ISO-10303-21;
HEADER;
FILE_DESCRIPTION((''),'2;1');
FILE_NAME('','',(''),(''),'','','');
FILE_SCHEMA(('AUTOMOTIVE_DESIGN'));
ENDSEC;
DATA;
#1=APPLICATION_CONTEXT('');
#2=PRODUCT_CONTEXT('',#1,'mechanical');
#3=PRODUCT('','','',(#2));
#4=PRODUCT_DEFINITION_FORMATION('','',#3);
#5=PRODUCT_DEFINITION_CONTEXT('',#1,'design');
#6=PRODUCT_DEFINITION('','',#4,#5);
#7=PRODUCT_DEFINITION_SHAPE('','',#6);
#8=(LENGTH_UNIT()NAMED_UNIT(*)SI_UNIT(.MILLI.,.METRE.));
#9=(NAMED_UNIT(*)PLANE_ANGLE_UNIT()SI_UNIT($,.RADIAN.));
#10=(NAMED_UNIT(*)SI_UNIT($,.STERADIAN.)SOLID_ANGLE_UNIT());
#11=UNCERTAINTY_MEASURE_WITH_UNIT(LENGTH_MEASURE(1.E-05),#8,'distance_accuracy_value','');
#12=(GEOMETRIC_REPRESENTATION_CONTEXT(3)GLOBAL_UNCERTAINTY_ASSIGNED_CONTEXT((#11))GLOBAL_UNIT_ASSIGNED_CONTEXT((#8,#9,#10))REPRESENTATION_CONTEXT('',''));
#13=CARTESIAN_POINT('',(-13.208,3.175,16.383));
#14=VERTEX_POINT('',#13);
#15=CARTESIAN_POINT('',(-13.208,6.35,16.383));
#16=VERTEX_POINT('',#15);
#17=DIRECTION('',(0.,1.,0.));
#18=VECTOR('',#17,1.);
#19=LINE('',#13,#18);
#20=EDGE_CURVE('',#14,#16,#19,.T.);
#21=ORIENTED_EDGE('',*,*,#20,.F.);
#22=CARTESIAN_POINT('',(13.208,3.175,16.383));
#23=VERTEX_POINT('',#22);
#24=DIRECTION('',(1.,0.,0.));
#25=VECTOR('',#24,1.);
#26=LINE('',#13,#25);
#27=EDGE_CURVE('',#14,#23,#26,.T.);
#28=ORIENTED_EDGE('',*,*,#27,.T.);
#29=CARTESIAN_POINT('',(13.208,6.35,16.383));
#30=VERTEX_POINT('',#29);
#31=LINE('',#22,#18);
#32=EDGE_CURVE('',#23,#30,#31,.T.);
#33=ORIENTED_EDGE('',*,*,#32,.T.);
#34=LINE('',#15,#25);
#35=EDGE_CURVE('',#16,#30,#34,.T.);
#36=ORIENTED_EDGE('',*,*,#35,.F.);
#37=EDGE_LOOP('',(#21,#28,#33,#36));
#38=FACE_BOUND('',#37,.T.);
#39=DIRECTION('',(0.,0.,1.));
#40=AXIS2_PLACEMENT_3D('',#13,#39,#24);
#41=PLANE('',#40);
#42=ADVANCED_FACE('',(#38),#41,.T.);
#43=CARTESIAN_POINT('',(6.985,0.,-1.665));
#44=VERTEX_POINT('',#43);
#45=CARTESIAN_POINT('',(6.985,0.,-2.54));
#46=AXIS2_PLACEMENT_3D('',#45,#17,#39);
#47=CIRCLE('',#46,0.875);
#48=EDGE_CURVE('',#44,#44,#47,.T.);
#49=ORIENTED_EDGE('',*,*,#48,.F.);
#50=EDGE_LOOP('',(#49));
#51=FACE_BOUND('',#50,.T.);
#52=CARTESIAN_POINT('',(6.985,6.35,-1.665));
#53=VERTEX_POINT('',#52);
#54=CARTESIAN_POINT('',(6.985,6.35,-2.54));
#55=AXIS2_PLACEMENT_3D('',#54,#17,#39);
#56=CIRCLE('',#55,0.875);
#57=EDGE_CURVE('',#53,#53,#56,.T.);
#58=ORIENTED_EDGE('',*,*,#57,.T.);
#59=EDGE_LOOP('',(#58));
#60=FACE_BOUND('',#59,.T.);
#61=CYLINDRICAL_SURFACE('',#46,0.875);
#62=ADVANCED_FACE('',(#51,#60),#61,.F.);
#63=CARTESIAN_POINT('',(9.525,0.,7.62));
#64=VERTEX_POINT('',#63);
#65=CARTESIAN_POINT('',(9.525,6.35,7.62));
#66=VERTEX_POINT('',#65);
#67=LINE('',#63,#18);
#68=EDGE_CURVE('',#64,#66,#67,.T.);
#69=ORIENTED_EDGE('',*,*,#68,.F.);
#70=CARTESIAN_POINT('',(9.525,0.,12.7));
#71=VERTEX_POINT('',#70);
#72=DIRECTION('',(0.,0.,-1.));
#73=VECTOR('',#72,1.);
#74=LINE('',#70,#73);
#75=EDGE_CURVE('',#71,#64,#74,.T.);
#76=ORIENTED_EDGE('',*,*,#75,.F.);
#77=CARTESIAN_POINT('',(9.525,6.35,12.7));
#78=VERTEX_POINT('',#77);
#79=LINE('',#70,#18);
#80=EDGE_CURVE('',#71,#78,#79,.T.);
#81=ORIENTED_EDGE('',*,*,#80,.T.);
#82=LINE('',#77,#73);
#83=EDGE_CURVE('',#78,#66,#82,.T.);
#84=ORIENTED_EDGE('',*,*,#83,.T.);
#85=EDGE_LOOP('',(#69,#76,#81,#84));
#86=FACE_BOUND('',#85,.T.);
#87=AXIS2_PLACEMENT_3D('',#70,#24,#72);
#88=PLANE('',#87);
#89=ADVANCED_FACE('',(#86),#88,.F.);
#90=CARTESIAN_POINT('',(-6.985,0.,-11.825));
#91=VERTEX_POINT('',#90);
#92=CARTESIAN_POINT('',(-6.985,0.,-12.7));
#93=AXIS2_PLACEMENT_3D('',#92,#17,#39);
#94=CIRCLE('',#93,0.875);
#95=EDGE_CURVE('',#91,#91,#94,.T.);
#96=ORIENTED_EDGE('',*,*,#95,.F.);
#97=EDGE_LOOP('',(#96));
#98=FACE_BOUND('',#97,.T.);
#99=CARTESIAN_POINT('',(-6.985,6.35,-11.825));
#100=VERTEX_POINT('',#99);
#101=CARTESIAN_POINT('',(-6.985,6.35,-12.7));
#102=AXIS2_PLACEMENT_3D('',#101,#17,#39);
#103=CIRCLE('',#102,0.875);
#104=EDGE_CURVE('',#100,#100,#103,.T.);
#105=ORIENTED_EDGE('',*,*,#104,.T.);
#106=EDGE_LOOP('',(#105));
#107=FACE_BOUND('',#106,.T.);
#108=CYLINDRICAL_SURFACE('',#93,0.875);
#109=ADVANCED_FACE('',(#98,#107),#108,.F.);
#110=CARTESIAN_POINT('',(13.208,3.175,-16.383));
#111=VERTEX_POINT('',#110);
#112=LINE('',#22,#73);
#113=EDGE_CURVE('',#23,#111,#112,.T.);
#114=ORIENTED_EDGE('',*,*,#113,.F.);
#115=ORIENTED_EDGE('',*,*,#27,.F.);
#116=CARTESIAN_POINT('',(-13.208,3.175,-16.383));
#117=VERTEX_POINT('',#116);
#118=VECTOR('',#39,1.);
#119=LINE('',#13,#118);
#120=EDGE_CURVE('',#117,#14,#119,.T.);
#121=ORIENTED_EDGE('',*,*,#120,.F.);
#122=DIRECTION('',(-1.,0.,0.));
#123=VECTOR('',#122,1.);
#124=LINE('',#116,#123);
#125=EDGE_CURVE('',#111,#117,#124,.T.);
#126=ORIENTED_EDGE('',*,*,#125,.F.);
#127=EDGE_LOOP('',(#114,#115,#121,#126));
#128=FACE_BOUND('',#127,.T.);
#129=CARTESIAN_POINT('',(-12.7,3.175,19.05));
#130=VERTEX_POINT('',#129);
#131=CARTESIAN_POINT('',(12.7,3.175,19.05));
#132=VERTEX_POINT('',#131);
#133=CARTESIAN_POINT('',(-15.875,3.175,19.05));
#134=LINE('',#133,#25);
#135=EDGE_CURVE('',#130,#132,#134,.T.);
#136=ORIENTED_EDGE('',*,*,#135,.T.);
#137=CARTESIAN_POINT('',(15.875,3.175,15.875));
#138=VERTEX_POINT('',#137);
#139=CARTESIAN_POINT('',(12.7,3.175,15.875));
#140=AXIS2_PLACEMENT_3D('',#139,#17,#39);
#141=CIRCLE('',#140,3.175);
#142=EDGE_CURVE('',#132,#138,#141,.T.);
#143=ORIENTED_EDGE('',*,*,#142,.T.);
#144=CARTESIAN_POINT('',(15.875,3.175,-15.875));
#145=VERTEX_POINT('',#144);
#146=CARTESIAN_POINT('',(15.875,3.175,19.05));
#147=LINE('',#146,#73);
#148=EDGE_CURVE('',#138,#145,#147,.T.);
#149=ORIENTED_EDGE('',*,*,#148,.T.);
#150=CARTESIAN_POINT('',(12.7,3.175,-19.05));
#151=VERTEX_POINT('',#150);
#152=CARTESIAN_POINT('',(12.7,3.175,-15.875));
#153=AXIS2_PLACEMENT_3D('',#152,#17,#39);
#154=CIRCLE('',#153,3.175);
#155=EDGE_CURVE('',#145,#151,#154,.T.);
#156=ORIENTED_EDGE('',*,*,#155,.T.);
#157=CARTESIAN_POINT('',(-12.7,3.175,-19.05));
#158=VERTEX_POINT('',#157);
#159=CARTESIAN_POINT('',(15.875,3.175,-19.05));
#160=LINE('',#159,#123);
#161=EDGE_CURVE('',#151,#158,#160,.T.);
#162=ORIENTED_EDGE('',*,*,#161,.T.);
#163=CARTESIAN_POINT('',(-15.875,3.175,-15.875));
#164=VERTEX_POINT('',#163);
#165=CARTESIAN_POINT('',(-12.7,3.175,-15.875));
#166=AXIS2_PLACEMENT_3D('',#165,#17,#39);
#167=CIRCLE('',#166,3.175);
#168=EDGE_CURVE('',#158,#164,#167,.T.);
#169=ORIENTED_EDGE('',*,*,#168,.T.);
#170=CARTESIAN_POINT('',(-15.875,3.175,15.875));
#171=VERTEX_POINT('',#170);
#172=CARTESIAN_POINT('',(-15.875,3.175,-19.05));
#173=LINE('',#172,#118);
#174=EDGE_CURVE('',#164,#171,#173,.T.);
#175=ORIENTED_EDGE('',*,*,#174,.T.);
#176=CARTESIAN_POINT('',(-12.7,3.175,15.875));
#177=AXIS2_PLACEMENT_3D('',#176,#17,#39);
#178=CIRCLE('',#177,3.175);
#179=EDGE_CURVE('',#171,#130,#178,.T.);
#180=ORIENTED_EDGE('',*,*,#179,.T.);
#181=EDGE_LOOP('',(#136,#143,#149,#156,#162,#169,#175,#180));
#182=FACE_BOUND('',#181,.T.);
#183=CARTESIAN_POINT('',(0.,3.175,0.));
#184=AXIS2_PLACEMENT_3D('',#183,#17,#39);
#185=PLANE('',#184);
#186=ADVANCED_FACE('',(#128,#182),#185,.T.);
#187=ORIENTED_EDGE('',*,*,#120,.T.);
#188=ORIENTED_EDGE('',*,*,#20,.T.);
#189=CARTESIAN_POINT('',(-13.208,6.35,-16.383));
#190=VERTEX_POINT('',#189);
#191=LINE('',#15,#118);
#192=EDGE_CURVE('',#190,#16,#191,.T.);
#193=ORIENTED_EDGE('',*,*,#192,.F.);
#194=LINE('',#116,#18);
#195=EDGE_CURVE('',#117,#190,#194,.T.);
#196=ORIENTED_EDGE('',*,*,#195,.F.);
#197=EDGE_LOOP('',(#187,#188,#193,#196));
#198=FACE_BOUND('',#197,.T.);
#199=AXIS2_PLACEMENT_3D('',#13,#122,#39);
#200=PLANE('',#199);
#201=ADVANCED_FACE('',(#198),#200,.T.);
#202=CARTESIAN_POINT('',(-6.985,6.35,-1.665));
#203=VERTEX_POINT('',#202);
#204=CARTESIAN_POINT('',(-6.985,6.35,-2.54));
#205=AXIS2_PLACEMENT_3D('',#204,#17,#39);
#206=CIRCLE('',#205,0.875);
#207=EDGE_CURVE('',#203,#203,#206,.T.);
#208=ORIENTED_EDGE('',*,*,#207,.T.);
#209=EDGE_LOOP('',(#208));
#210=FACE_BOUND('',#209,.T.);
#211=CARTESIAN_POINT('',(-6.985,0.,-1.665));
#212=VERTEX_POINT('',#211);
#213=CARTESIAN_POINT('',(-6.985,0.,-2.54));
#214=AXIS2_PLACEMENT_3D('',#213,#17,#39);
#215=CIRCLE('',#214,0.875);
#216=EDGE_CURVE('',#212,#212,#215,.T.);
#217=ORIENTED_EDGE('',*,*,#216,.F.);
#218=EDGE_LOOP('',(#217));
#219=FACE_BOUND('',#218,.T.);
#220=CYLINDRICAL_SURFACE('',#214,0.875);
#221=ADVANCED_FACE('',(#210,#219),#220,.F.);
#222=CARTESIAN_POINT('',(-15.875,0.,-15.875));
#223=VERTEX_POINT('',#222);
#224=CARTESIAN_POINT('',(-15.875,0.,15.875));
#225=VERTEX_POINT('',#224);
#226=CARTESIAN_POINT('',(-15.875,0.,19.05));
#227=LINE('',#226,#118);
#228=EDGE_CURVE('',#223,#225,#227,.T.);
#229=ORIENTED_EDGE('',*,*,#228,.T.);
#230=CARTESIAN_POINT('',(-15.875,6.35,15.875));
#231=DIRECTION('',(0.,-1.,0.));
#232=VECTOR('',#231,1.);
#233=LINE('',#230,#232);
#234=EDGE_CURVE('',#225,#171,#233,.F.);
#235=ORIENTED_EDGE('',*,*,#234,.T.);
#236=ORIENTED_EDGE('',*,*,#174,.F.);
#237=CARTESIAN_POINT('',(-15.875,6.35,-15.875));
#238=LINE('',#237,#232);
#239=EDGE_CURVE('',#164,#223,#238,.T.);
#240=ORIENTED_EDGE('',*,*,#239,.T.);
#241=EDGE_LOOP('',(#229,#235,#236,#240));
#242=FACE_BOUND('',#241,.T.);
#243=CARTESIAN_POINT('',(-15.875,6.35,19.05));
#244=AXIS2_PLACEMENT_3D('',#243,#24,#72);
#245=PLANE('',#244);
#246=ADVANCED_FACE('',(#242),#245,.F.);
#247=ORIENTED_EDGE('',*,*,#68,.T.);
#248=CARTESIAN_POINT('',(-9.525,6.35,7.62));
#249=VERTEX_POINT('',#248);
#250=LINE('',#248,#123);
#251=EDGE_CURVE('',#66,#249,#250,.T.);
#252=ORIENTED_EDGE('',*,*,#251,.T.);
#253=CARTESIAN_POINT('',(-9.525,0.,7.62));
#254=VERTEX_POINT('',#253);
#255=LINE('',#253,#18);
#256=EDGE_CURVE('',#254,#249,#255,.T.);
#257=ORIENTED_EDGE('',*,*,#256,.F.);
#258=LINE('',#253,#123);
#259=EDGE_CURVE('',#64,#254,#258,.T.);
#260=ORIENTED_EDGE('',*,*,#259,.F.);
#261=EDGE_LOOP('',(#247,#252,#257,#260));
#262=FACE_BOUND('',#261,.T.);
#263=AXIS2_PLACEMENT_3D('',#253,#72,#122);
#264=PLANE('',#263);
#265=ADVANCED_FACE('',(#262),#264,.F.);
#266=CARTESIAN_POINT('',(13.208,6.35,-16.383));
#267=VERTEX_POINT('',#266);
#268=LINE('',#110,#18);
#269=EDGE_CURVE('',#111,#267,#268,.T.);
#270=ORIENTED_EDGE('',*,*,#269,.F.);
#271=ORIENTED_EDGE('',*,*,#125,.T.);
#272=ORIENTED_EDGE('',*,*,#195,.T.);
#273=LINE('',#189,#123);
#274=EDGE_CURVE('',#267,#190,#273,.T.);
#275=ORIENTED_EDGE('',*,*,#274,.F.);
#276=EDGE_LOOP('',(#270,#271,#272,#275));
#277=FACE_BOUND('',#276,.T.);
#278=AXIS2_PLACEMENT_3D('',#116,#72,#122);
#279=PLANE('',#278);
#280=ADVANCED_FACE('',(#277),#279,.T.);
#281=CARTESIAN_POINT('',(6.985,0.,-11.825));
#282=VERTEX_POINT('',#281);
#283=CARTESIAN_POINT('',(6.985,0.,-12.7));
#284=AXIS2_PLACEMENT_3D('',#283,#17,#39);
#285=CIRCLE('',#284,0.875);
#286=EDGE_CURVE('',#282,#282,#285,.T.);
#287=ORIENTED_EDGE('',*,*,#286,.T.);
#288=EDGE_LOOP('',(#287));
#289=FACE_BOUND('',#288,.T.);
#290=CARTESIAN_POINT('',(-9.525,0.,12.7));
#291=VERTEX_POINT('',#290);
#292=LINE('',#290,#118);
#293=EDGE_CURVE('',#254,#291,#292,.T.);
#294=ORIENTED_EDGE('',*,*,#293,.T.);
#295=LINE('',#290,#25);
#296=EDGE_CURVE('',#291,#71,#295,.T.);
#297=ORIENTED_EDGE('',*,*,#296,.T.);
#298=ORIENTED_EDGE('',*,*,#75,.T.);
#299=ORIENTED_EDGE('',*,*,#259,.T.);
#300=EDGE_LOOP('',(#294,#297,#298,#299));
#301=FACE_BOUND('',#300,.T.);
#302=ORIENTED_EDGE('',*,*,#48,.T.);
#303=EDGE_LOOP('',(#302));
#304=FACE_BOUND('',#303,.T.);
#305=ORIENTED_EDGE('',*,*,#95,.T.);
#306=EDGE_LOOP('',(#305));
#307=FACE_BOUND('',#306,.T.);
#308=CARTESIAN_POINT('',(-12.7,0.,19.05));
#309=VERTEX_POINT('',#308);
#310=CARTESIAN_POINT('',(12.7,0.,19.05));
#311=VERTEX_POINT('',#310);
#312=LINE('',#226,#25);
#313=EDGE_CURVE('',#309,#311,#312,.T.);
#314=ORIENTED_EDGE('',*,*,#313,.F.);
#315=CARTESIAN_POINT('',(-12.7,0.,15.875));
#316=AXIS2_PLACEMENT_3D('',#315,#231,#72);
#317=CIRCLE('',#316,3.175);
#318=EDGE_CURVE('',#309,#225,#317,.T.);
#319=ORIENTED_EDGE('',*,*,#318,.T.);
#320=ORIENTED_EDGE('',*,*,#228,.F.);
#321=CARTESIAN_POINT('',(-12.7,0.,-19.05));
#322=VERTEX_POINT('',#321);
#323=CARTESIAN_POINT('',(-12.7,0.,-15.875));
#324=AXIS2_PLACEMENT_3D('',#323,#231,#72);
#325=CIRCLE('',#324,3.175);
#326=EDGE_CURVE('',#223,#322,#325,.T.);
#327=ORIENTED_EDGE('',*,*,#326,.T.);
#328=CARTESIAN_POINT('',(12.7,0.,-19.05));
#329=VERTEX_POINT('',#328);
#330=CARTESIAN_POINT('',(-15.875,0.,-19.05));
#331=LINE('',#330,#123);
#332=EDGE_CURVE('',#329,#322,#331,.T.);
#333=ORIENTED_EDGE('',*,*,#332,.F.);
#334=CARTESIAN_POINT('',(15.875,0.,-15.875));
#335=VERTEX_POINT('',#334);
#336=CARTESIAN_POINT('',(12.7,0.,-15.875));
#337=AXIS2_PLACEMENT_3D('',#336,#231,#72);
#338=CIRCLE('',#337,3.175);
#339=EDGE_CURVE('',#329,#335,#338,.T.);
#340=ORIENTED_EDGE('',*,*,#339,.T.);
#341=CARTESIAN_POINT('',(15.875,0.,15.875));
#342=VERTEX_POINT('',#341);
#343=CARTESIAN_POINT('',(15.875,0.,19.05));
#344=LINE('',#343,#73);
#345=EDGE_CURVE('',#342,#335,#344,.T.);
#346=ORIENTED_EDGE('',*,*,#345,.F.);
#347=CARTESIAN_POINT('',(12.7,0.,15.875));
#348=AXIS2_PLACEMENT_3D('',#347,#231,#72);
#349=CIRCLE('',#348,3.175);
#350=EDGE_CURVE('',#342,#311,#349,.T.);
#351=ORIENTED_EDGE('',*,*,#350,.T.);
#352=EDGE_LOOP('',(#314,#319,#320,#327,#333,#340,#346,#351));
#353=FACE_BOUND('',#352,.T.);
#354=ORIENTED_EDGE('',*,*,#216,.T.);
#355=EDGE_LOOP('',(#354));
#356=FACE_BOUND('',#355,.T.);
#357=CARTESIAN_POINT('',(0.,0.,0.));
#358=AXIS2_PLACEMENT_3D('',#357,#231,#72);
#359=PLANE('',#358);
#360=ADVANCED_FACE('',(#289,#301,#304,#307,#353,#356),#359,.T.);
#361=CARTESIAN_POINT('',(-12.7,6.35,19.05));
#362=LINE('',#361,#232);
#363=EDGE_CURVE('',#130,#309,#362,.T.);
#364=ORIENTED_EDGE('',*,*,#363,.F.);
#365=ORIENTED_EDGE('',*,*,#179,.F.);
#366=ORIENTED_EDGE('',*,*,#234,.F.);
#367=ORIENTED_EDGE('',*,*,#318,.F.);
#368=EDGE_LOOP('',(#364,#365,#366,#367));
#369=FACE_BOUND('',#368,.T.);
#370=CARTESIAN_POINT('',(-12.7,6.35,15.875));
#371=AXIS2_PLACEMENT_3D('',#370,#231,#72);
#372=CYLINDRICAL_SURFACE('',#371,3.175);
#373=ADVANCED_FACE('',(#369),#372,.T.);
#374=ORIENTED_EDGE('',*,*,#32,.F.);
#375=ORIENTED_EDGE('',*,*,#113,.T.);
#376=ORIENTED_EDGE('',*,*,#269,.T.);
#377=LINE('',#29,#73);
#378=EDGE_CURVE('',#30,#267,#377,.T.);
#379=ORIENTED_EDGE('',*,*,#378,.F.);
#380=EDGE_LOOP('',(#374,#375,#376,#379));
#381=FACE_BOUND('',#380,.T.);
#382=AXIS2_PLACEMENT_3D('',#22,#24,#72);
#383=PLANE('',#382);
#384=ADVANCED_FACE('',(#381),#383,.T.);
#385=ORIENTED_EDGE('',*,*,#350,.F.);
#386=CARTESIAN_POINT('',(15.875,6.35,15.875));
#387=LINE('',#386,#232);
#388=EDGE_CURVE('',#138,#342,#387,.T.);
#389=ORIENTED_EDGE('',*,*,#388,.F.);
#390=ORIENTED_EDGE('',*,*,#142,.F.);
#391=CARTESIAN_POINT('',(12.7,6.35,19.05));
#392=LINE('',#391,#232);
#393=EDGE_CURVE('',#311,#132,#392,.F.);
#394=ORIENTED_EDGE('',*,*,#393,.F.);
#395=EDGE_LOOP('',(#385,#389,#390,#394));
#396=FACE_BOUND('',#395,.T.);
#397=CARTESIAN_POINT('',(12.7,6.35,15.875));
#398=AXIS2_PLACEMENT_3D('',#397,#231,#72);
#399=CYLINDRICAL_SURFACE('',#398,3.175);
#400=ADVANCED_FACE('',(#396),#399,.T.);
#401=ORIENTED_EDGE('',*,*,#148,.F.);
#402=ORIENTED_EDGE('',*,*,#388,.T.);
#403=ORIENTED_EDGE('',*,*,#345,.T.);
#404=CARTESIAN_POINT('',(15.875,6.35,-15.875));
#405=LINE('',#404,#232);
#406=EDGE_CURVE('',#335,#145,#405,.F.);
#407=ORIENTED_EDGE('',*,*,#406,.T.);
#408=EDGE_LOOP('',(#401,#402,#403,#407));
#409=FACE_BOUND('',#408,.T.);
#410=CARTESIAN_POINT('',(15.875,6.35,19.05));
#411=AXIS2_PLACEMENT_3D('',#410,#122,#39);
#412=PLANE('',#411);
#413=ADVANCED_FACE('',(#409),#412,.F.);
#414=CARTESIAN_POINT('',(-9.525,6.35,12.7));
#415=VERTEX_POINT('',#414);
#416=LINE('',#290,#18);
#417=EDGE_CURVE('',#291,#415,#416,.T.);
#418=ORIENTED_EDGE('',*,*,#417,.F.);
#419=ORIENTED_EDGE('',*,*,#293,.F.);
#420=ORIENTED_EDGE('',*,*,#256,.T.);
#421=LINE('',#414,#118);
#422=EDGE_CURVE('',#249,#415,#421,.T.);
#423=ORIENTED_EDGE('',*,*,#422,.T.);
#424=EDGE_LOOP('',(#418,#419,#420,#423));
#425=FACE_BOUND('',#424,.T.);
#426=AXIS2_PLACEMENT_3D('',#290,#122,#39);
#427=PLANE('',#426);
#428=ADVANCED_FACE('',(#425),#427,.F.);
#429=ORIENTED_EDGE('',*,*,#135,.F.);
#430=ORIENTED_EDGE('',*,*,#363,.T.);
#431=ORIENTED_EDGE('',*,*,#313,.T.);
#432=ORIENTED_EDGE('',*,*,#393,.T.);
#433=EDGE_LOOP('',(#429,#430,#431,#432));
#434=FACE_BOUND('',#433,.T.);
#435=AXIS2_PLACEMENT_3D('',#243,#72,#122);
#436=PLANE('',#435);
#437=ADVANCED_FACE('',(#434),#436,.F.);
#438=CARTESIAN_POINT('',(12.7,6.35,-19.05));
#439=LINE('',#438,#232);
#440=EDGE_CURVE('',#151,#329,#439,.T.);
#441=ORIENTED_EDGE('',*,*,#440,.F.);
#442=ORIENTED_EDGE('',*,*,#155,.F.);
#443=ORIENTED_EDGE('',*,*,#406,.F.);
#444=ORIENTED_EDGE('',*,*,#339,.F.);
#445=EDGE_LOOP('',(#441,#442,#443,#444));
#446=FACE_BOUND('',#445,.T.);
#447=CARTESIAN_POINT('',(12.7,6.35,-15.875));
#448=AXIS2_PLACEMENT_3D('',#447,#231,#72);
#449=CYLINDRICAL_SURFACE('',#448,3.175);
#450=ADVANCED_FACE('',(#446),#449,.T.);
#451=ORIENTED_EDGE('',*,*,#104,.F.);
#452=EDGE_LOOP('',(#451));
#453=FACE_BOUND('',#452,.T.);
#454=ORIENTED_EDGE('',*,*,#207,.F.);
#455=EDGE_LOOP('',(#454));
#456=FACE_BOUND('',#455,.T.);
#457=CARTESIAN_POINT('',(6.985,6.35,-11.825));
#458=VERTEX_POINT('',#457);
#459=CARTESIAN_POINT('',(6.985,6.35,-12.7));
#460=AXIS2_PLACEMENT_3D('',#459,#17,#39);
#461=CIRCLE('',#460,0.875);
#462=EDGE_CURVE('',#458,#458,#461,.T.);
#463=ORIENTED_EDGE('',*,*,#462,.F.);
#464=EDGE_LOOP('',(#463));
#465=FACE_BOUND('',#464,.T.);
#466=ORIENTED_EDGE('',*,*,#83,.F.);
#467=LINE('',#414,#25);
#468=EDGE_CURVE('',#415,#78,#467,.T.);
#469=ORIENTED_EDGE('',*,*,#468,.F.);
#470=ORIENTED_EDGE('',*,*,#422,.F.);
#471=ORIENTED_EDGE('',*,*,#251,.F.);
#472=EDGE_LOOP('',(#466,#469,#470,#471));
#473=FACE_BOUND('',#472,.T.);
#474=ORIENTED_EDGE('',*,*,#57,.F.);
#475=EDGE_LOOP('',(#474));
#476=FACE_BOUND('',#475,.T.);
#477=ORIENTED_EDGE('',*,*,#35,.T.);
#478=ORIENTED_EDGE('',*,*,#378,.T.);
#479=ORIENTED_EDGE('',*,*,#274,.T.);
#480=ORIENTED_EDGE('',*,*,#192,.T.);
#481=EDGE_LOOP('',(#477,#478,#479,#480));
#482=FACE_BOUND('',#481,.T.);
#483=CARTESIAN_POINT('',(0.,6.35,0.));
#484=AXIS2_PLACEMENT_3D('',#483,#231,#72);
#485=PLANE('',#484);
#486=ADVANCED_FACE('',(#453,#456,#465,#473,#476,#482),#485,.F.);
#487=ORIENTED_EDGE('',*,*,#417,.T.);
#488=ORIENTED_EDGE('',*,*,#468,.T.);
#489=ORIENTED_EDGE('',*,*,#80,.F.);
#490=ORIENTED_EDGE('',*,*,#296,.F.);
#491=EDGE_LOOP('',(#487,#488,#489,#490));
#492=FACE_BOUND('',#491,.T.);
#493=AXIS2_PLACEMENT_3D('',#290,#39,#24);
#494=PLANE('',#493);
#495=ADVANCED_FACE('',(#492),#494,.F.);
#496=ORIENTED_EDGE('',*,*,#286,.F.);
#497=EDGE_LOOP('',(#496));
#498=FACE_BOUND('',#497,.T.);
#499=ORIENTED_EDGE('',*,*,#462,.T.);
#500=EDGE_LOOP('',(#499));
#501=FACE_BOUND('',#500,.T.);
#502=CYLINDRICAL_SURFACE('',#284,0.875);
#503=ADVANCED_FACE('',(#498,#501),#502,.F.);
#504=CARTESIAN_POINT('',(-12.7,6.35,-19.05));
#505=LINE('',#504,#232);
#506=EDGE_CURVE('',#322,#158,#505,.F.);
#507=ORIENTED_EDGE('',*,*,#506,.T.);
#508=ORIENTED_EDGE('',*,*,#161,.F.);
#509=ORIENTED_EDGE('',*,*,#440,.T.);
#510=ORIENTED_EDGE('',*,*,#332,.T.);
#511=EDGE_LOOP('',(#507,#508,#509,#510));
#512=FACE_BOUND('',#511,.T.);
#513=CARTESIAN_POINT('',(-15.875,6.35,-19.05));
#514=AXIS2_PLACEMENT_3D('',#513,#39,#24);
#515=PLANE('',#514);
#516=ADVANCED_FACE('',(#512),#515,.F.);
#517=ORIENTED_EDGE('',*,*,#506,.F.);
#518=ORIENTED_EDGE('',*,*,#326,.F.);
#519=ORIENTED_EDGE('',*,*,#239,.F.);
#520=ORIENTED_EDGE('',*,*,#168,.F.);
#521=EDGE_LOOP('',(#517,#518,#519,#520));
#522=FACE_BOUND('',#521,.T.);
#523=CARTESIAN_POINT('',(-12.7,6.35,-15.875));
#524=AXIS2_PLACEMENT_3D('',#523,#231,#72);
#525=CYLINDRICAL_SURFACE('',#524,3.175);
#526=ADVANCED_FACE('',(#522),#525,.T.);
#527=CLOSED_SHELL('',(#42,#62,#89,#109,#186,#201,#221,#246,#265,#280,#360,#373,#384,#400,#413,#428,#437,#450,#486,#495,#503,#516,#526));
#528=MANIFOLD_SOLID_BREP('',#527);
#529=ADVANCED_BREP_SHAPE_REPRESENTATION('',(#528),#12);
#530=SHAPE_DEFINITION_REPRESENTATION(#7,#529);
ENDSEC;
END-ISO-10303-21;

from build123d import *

# Parameters (mm, degrees)
SKETCH1_W           = 31.75
SKETCH1_H           = 38.1
BOSS_EXTRUDE1_DEPTH = 6.35
SKETCH2_R           = 0.875
CUT_EXTRUDE1_DEPTH  = 26.597668351
SKETCH3_W           = 19.05
SKETCH3_H           = 5.08
CUT_EXTRUDE2_DEPTH  = 26.597668351
SKETCH4_W           = 31.75
SKETCH4_H           = 38.1
SKETCH4_W_2         = 26.416
SKETCH4_H_2         = 32.766
CUT_EXTRUDE3_DEPTH  = 3.175
FILLET1_R           = 3.175


with BuildPart() as part:
    # Sketch1 → Boss-Extrude1 (new body)
    with BuildSketch(Plane(origin=(0, 0, 0), x_dir=(1, 0, 0), z_dir=(0, 1, 0))):
        Rectangle(SKETCH1_W, SKETCH1_H)
    extrude(amount=BOSS_EXTRUDE1_DEPTH)

    # Sketch2 → Cut-Extrude1 (cut, through all)
    with BuildSketch(Plane(origin=(0, 6.35, 0), x_dir=(1, 0, 0), z_dir=(0, 1, 0))):
        with Locations(Location((-6.985, 2.54, 0), (0, 0, 270))):
            Circle(SKETCH2_R)
        with Locations(Location((6.985, 2.54, 0), (0, 0, 270))):
            Circle(SKETCH2_R)
        with Locations(Location((-6.985, 12.7, 0), (0, 0, 270))):
            Circle(SKETCH2_R)
        with Locations(Location((6.985, 12.7, 0), (0, 0, 270))):
            Circle(SKETCH2_R)
    extrude(amount=-CUT_EXTRUDE1_DEPTH, mode=Mode.SUBTRACT)

    # Sketch3 → Cut-Extrude2 (cut, through all)
    with BuildSketch(Plane(origin=(0, 6.35, 0), x_dir=(1, 0, 0), z_dir=(0, 1, 0))):
        with Locations((0, -10.16)):
            Rectangle(SKETCH3_W, SKETCH3_H)
    extrude(amount=-CUT_EXTRUDE2_DEPTH, mode=Mode.SUBTRACT)

    # Sketch4 → Cut-Extrude3 (cut)
    with BuildSketch(Plane(origin=(0, 6.35, 0), x_dir=(1, 0, 0), z_dir=(0, 1, 0))):
        Rectangle(SKETCH4_W, SKETCH4_H)
        Rectangle(SKETCH4_W_2, SKETCH4_H_2, mode=Mode.SUBTRACT)
    extrude(amount=-CUT_EXTRUDE3_DEPTH, mode=Mode.SUBTRACT)

    # Fillet1
    fillet1_edges = [part.edges().sort_by_distance(p)[0] for p in [
        (15.875, 1.5875, 19.05),
        (-15.875, 1.5875, 19.05),
        (-15.875, 1.5875, -19.05),
        (15.875, 1.5875, -19.05),
    ]]
    fillet(fillet1_edges, radius=FILLET1_R)


solid = part.part
